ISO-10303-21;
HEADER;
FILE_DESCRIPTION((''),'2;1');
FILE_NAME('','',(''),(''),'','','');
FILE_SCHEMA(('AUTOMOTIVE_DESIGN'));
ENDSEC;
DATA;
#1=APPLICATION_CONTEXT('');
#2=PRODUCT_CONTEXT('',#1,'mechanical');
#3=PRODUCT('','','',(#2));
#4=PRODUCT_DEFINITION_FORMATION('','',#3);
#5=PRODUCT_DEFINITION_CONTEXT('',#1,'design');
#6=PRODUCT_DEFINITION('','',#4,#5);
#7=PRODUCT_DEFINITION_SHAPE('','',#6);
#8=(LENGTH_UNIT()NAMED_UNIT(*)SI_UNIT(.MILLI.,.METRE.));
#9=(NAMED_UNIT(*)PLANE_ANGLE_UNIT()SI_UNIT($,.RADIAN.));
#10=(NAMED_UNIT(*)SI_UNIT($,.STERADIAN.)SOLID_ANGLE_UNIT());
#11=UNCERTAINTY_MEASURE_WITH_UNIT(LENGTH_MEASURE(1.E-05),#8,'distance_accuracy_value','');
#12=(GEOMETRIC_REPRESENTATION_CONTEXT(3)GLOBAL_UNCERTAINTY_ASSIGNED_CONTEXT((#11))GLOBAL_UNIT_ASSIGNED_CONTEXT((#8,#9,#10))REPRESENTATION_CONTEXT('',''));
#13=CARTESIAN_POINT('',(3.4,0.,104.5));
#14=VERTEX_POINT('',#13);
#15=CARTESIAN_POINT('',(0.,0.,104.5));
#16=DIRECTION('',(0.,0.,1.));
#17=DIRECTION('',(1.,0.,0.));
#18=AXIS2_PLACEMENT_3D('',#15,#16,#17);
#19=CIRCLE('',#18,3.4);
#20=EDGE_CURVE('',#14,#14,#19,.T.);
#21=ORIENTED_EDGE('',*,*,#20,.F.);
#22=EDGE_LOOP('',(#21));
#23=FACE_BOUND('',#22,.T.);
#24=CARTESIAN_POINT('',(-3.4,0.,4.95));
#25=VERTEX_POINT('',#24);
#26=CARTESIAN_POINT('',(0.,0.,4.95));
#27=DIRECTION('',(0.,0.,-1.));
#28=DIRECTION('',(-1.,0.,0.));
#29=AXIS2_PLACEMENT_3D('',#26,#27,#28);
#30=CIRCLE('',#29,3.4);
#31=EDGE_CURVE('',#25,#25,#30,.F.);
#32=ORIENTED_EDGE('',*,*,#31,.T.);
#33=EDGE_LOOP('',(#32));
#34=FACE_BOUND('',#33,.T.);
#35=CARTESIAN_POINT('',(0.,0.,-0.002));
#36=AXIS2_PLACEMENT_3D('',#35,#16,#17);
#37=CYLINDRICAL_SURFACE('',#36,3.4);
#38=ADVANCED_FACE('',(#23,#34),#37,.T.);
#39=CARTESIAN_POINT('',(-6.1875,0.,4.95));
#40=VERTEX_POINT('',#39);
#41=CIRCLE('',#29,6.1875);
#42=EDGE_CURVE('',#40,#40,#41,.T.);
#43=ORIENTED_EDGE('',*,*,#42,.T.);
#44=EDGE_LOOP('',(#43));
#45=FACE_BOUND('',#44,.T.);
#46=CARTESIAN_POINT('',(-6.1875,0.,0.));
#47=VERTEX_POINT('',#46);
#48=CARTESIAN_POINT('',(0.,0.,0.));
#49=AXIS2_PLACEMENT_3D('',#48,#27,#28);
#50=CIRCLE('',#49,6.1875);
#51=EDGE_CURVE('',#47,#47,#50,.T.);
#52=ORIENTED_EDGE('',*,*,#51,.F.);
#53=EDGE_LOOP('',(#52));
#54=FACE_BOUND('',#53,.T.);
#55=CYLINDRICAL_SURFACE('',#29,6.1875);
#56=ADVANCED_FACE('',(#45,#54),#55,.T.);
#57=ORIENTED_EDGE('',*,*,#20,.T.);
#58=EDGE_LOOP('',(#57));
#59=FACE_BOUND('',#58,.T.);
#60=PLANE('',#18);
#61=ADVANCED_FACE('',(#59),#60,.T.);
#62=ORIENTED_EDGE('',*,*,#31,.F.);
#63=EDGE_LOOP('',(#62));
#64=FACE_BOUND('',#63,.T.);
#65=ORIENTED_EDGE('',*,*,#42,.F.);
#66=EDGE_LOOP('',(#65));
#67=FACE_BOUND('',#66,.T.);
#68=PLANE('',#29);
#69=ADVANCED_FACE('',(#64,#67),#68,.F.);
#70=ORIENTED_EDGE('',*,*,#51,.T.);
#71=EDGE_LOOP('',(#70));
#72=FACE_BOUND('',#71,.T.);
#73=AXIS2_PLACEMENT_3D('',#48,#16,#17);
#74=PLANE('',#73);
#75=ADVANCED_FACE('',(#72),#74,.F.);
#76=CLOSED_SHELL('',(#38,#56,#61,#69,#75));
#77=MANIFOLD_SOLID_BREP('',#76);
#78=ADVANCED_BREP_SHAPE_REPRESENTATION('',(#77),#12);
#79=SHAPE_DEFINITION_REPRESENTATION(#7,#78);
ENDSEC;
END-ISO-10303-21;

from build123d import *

# Parameters (mm, degrees)
SKETCH1_R                           = 1.5
BOSS_EXTRUDE1_DEPTH                 = 42
SKETCH2_R                           = 2.75
BOSS_EXTRUDE2_DEPTH                 = 2.2
ESCALA1_SCALE                       = 1.5
ESCALA2_SCALE                       = 1.5
CROQUIS1_R                          = 3.4
SALIENTE_EXTRUIR1_DEPTH             = 10
SALIENTE_EXTRUIR1_DIRECTION_2_REACH = 96.904


with BuildPart() as part:
    # Sketch1 → Boss-Extrude1 (new body)
    with BuildSketch(Plane.XY):
        with Locations(Location((0, 0, 0), (0, 0, 180))):
            Circle(SKETCH1_R)
    extrude(amount=BOSS_EXTRUDE1_DEPTH)

    # Sketch2 → Boss-Extrude2 (add)
    with BuildSketch(Plane(origin=(0, 0, 0), x_dir=(-1, 0, 0), z_dir=(0, 0, -1))):
        Circle(SKETCH2_R)
    extrude(amount=-BOSS_EXTRUDE2_DEPTH)


with BuildPart() as part_1:
    # Escala1: scaled about (0, 0, 0)
    add(part.part.scale(ESCALA1_SCALE))


with BuildPart() as part_2:
    # Escala2: scaled about (0, 0, 0)
    add(part_1.part.scale(ESCALA2_SCALE))

    # Croquis1 → Saliente-Extruir1 (add)
    with BuildSketch(Plane.XY.offset(94.5)):
        Circle(CROQUIS1_R)
    extrude(amount=SALIENTE_EXTRUIR1_DEPTH)

    # Croquis1 → Saliente-Extruir1 direction 2 (add, up to next)
    with BuildSketch(Plane.XY.offset(94.5), mode=Mode.PRIVATE) as saliente_extruir1_direction_2_sk1:
        Circle(CROQUIS1_R)
    saliente_extruir1_direction_2_tool1 = extrude(saliente_extruir1_direction_2_sk1.sketch, amount=-SALIENTE_EXTRUIR1_DIRECTION_2_REACH, mode=Mode.PRIVATE) - part_2.part
    add(saliente_extruir1_direction_2_tool1.solids().sort_by_distance((0, 0, 94.5))[0])


solid = part_2.part
